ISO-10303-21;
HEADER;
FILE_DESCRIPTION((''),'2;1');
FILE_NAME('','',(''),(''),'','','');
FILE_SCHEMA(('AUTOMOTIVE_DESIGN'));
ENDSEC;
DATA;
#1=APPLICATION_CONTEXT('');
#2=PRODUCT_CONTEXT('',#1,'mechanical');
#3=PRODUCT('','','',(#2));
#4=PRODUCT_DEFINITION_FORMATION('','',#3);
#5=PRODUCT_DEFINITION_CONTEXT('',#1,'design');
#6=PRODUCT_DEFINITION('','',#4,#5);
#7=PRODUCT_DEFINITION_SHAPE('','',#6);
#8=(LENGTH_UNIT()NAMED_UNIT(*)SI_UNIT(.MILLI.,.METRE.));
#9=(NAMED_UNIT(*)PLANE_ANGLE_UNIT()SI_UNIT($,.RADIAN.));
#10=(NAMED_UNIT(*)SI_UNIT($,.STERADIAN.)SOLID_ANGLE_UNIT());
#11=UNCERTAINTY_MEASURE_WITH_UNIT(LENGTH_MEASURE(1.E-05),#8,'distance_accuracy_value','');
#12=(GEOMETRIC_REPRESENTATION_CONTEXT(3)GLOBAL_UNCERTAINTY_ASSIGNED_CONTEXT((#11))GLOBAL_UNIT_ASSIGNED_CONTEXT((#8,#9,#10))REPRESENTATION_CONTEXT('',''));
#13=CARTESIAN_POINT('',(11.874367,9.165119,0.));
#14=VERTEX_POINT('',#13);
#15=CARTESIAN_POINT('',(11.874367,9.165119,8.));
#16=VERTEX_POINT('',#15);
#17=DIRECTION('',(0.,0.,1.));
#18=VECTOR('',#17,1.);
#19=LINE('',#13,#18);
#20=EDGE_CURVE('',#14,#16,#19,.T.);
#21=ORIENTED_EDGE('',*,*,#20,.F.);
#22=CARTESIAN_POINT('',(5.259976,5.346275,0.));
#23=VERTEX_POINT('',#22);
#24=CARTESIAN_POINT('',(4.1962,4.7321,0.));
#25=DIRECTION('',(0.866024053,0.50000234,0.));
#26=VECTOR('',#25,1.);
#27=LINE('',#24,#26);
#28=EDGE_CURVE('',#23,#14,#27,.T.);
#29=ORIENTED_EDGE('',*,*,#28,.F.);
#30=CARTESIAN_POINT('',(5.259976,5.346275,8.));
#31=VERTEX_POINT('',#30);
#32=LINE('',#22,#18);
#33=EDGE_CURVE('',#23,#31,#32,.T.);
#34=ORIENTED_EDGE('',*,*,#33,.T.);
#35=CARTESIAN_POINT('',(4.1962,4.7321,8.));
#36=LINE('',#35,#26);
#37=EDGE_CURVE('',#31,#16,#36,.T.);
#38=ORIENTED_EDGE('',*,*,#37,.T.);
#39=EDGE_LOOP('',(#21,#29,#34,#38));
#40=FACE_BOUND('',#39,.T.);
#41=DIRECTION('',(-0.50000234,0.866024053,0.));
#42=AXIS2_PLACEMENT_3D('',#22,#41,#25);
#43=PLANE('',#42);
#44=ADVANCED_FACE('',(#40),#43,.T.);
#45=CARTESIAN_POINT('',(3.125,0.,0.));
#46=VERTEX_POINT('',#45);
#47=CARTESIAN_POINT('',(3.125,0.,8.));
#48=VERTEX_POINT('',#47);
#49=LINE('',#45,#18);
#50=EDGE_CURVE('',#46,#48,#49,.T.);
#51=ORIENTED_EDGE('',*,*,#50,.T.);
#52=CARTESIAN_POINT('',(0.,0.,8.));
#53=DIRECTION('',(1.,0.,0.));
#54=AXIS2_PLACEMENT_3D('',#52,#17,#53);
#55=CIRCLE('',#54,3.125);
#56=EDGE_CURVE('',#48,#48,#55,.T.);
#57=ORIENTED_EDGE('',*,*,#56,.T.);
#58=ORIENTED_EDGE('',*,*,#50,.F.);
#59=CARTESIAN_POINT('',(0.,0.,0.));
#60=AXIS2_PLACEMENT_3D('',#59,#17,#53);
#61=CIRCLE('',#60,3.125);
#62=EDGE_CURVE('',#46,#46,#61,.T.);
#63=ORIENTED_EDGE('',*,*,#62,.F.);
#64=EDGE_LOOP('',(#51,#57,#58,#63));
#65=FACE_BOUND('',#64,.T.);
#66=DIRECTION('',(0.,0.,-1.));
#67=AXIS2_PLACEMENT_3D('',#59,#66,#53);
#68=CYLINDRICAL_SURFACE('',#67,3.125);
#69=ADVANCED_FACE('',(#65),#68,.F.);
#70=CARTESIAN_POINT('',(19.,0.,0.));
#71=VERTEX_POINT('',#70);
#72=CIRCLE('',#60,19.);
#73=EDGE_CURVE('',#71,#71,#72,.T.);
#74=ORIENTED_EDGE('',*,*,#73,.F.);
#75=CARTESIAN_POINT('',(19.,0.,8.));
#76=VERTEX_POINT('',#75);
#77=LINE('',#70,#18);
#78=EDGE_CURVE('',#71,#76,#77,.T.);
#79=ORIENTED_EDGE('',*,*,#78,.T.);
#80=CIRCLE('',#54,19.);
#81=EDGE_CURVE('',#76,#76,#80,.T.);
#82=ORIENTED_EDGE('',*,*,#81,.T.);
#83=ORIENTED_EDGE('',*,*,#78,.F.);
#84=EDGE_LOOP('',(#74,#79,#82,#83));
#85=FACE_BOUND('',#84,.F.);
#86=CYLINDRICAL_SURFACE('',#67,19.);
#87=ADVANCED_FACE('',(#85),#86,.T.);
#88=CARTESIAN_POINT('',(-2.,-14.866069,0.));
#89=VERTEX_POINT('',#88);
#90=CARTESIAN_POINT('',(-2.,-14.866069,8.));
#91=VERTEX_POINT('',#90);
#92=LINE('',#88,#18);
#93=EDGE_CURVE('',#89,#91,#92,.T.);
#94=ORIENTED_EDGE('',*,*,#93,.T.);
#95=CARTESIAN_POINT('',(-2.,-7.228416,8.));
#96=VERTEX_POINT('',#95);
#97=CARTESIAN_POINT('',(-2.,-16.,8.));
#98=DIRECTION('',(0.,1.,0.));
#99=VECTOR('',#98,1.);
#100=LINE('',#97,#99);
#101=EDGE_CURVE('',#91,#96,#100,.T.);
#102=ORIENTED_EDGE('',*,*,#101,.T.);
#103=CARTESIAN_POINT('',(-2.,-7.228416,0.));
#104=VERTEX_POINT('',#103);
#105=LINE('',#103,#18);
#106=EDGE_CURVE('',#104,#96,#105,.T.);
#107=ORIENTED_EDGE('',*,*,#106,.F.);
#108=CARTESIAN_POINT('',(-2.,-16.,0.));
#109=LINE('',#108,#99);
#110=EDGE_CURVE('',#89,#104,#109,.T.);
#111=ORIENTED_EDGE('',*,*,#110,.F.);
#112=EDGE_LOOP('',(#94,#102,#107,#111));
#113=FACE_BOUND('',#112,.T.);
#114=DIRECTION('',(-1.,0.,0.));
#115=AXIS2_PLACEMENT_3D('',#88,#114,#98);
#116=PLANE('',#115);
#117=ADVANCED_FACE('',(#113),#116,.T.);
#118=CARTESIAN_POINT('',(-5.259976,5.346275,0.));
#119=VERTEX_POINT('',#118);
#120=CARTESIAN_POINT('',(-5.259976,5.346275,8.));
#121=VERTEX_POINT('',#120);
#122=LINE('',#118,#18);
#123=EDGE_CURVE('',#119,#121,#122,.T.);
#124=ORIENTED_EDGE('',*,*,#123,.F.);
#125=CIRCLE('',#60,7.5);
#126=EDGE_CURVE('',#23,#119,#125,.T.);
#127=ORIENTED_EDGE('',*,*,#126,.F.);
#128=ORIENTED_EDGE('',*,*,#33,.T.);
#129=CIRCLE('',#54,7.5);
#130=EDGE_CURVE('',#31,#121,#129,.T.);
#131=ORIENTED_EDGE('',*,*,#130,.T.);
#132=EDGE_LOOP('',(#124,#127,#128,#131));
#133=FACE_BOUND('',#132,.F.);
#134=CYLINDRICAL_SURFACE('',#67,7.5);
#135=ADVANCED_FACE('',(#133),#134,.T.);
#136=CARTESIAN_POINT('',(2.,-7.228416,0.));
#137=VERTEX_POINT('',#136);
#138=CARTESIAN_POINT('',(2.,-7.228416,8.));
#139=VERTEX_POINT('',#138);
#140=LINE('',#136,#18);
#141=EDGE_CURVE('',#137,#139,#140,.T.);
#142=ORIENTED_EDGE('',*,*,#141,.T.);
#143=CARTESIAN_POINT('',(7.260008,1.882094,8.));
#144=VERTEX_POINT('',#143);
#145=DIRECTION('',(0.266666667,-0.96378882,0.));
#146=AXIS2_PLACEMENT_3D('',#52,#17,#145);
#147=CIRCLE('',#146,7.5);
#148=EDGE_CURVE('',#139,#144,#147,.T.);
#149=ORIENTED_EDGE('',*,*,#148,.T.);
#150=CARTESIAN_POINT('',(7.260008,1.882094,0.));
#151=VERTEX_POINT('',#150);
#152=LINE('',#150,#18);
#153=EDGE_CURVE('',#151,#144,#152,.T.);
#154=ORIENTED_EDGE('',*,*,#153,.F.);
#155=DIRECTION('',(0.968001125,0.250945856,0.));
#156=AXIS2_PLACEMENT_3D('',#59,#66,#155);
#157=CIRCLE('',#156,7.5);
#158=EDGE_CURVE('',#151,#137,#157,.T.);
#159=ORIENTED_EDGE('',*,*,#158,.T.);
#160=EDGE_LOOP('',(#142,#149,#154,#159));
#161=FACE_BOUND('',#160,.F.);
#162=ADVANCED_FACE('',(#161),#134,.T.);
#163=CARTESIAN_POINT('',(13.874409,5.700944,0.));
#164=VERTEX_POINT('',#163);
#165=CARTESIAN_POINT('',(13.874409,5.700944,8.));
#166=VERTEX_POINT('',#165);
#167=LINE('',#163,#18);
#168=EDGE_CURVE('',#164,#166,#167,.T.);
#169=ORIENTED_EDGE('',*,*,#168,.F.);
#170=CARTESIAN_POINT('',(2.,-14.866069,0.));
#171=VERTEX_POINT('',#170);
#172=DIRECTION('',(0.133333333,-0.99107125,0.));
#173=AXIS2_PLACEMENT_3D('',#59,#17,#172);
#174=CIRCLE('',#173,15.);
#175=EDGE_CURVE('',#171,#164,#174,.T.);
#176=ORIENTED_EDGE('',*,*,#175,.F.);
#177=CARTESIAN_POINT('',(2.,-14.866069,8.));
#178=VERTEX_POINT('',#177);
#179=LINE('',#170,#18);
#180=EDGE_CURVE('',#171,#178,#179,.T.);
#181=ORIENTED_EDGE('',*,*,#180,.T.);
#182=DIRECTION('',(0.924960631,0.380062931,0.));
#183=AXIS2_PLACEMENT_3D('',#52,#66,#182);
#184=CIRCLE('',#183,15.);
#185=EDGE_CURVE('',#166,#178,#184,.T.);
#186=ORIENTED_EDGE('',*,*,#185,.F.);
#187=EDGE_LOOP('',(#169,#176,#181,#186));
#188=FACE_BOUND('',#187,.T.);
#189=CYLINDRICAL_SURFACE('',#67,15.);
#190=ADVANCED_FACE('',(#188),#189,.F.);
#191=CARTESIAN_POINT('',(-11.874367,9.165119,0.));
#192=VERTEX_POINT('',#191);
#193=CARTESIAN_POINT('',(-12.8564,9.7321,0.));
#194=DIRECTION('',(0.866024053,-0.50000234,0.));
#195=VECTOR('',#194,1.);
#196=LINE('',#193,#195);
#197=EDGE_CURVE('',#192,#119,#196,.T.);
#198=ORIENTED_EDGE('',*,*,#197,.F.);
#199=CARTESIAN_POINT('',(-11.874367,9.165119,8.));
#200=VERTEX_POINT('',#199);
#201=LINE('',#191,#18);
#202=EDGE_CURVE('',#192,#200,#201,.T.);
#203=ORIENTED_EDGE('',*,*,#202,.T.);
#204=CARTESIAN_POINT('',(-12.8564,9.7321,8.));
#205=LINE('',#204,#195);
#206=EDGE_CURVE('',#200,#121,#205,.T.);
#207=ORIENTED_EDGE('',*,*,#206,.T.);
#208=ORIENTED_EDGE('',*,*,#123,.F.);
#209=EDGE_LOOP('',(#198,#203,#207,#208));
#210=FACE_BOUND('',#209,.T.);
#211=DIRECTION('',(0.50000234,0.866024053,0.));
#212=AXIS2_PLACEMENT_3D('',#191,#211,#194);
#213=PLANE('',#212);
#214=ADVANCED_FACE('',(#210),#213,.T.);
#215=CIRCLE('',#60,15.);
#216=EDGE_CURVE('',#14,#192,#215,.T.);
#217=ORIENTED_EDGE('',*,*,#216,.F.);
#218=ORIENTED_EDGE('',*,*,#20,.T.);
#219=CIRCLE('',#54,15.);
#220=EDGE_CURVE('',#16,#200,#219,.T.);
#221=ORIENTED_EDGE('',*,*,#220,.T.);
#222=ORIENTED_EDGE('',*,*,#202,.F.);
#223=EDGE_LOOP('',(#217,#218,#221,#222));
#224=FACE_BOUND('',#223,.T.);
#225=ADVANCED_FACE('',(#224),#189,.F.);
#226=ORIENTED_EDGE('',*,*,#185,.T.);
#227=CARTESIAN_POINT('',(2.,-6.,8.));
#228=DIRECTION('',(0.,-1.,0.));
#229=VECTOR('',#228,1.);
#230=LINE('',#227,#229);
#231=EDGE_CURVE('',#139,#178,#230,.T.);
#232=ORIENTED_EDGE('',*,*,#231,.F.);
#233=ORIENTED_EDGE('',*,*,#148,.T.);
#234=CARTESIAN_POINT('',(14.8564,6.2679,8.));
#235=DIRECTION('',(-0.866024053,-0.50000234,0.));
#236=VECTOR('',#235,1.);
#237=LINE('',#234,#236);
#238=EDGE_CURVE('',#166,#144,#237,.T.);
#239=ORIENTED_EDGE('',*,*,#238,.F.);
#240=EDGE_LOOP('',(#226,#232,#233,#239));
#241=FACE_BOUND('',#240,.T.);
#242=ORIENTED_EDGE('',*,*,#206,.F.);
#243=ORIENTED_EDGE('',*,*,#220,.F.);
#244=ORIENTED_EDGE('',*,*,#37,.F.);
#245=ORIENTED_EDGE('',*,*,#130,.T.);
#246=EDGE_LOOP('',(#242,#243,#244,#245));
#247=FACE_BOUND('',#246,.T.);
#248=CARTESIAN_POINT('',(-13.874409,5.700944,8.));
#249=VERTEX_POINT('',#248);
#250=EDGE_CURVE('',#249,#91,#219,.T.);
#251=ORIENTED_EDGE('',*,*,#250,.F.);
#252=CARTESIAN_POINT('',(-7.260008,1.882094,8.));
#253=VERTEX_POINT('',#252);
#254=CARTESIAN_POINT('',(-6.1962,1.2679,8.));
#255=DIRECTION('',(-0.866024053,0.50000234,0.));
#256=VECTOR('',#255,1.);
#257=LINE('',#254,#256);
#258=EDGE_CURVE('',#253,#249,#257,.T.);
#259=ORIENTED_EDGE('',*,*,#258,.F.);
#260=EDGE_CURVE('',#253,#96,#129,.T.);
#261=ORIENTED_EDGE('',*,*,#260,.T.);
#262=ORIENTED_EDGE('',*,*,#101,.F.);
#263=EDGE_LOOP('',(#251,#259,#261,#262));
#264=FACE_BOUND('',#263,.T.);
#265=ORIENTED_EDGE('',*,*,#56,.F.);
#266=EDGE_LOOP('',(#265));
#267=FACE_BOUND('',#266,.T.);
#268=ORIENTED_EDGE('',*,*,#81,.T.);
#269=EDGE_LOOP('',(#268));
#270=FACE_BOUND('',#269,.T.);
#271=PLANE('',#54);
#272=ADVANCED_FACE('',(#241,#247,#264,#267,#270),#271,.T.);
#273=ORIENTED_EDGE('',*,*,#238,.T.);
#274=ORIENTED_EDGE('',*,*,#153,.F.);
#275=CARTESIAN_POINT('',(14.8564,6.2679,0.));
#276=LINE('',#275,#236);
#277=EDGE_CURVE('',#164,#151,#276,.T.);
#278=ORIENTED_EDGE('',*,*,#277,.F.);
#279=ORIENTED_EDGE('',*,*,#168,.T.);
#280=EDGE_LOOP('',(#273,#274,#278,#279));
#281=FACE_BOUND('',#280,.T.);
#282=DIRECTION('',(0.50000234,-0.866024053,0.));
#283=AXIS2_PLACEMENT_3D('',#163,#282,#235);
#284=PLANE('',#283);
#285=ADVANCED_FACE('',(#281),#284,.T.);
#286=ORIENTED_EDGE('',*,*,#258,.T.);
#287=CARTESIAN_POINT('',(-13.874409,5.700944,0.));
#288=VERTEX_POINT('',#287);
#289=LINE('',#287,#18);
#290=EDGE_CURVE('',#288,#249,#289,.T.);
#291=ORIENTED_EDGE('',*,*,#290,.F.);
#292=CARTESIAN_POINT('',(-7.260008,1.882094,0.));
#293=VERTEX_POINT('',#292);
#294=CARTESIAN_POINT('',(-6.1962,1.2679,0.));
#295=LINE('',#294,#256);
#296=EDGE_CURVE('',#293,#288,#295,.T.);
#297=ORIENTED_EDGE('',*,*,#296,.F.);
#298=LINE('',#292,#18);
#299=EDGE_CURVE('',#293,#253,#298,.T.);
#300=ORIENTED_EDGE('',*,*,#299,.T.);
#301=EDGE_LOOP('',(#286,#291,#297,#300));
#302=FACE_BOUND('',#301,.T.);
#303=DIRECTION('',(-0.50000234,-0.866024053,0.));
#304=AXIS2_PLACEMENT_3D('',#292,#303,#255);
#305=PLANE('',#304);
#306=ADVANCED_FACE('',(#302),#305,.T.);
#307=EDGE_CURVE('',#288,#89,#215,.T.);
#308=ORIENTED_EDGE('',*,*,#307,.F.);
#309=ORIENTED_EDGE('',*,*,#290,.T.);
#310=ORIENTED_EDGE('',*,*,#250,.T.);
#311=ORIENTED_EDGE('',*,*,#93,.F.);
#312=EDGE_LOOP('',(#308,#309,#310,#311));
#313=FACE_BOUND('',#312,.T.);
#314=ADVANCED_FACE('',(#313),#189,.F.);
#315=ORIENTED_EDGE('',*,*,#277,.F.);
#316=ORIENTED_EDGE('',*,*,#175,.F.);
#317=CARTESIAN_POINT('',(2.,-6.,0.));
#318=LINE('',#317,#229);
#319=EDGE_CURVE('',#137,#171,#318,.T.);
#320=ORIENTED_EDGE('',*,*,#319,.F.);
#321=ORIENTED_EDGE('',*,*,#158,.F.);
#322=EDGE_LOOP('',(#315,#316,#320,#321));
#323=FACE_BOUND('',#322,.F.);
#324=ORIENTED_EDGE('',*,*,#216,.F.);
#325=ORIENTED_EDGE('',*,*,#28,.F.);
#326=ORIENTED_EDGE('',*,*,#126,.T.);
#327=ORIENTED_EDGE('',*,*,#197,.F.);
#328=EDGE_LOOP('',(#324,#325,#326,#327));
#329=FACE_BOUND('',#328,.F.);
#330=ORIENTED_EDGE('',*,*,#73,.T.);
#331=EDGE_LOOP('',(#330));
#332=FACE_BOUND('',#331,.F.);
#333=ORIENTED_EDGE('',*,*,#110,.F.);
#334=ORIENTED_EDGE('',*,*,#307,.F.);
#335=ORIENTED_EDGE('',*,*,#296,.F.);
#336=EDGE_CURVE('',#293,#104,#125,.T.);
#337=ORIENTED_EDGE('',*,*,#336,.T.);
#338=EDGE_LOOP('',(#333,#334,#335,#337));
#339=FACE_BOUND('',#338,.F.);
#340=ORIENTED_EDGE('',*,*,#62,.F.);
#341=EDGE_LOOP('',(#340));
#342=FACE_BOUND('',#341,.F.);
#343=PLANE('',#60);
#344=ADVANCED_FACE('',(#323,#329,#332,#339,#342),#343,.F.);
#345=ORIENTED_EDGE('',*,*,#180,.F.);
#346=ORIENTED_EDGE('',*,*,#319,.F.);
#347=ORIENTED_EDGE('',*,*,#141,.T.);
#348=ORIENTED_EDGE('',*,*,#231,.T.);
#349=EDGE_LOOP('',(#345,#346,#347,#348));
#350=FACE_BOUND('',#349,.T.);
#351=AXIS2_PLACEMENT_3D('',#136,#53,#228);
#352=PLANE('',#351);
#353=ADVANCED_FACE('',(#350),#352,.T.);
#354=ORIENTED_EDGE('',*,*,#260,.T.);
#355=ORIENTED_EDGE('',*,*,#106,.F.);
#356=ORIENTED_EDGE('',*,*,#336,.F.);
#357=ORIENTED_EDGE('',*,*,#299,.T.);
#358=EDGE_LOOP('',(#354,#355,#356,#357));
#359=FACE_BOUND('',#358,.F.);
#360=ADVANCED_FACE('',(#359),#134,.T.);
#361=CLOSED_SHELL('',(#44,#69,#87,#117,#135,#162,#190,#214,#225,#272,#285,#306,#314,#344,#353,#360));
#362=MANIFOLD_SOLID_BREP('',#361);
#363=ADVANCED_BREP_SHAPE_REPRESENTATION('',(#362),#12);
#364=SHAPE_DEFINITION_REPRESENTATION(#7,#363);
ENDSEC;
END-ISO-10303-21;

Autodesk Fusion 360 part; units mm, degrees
sketch "Sketch1" plane through (0, 0, 0) normal (0, 0, 1) x (1, 0, 0)
  circle A0 centre (0, 0) radius 3.125
  circle A1 centre (0, 0) radius 19
  circle A2 centre (0, 0) radius 7.5
  circle A3 centre (0, 0) radius 15
  line L0 (-2, -6) -> (2, -6)
  line L1 (2, -6) -> (2, -16)
  line L2 (2, -16) -> (-2, -16)
  line L3 (-2, -16) -> (-2, -6)
  line L4 (4.1962, 4.7321) -> (12.8564, 9.7321)
  line L5 (14.8564, 6.2679) -> (6.1962, 1.2679)
  line L6 (-6.1962, 1.2679) -> (-14.8564, 6.2679)
  line L7 (-12.8564, 9.7321) -> (-4.1962, 4.7321)
  dimension "d1" = 6.25
  dimension "d2" = 38
  dimension "d3" = 15
  dimension "d5" = 360
extrude "Extrude1" add sketch "Sketch1" along normal blind 8 contours A1 | A2 L0 L1 L3 | A2 A3 L4 L5 | A2 A3 L1 L3 | A2 L0 L1 L3 | A3 L1 L2 L3 | A2 A3 L6 L7
